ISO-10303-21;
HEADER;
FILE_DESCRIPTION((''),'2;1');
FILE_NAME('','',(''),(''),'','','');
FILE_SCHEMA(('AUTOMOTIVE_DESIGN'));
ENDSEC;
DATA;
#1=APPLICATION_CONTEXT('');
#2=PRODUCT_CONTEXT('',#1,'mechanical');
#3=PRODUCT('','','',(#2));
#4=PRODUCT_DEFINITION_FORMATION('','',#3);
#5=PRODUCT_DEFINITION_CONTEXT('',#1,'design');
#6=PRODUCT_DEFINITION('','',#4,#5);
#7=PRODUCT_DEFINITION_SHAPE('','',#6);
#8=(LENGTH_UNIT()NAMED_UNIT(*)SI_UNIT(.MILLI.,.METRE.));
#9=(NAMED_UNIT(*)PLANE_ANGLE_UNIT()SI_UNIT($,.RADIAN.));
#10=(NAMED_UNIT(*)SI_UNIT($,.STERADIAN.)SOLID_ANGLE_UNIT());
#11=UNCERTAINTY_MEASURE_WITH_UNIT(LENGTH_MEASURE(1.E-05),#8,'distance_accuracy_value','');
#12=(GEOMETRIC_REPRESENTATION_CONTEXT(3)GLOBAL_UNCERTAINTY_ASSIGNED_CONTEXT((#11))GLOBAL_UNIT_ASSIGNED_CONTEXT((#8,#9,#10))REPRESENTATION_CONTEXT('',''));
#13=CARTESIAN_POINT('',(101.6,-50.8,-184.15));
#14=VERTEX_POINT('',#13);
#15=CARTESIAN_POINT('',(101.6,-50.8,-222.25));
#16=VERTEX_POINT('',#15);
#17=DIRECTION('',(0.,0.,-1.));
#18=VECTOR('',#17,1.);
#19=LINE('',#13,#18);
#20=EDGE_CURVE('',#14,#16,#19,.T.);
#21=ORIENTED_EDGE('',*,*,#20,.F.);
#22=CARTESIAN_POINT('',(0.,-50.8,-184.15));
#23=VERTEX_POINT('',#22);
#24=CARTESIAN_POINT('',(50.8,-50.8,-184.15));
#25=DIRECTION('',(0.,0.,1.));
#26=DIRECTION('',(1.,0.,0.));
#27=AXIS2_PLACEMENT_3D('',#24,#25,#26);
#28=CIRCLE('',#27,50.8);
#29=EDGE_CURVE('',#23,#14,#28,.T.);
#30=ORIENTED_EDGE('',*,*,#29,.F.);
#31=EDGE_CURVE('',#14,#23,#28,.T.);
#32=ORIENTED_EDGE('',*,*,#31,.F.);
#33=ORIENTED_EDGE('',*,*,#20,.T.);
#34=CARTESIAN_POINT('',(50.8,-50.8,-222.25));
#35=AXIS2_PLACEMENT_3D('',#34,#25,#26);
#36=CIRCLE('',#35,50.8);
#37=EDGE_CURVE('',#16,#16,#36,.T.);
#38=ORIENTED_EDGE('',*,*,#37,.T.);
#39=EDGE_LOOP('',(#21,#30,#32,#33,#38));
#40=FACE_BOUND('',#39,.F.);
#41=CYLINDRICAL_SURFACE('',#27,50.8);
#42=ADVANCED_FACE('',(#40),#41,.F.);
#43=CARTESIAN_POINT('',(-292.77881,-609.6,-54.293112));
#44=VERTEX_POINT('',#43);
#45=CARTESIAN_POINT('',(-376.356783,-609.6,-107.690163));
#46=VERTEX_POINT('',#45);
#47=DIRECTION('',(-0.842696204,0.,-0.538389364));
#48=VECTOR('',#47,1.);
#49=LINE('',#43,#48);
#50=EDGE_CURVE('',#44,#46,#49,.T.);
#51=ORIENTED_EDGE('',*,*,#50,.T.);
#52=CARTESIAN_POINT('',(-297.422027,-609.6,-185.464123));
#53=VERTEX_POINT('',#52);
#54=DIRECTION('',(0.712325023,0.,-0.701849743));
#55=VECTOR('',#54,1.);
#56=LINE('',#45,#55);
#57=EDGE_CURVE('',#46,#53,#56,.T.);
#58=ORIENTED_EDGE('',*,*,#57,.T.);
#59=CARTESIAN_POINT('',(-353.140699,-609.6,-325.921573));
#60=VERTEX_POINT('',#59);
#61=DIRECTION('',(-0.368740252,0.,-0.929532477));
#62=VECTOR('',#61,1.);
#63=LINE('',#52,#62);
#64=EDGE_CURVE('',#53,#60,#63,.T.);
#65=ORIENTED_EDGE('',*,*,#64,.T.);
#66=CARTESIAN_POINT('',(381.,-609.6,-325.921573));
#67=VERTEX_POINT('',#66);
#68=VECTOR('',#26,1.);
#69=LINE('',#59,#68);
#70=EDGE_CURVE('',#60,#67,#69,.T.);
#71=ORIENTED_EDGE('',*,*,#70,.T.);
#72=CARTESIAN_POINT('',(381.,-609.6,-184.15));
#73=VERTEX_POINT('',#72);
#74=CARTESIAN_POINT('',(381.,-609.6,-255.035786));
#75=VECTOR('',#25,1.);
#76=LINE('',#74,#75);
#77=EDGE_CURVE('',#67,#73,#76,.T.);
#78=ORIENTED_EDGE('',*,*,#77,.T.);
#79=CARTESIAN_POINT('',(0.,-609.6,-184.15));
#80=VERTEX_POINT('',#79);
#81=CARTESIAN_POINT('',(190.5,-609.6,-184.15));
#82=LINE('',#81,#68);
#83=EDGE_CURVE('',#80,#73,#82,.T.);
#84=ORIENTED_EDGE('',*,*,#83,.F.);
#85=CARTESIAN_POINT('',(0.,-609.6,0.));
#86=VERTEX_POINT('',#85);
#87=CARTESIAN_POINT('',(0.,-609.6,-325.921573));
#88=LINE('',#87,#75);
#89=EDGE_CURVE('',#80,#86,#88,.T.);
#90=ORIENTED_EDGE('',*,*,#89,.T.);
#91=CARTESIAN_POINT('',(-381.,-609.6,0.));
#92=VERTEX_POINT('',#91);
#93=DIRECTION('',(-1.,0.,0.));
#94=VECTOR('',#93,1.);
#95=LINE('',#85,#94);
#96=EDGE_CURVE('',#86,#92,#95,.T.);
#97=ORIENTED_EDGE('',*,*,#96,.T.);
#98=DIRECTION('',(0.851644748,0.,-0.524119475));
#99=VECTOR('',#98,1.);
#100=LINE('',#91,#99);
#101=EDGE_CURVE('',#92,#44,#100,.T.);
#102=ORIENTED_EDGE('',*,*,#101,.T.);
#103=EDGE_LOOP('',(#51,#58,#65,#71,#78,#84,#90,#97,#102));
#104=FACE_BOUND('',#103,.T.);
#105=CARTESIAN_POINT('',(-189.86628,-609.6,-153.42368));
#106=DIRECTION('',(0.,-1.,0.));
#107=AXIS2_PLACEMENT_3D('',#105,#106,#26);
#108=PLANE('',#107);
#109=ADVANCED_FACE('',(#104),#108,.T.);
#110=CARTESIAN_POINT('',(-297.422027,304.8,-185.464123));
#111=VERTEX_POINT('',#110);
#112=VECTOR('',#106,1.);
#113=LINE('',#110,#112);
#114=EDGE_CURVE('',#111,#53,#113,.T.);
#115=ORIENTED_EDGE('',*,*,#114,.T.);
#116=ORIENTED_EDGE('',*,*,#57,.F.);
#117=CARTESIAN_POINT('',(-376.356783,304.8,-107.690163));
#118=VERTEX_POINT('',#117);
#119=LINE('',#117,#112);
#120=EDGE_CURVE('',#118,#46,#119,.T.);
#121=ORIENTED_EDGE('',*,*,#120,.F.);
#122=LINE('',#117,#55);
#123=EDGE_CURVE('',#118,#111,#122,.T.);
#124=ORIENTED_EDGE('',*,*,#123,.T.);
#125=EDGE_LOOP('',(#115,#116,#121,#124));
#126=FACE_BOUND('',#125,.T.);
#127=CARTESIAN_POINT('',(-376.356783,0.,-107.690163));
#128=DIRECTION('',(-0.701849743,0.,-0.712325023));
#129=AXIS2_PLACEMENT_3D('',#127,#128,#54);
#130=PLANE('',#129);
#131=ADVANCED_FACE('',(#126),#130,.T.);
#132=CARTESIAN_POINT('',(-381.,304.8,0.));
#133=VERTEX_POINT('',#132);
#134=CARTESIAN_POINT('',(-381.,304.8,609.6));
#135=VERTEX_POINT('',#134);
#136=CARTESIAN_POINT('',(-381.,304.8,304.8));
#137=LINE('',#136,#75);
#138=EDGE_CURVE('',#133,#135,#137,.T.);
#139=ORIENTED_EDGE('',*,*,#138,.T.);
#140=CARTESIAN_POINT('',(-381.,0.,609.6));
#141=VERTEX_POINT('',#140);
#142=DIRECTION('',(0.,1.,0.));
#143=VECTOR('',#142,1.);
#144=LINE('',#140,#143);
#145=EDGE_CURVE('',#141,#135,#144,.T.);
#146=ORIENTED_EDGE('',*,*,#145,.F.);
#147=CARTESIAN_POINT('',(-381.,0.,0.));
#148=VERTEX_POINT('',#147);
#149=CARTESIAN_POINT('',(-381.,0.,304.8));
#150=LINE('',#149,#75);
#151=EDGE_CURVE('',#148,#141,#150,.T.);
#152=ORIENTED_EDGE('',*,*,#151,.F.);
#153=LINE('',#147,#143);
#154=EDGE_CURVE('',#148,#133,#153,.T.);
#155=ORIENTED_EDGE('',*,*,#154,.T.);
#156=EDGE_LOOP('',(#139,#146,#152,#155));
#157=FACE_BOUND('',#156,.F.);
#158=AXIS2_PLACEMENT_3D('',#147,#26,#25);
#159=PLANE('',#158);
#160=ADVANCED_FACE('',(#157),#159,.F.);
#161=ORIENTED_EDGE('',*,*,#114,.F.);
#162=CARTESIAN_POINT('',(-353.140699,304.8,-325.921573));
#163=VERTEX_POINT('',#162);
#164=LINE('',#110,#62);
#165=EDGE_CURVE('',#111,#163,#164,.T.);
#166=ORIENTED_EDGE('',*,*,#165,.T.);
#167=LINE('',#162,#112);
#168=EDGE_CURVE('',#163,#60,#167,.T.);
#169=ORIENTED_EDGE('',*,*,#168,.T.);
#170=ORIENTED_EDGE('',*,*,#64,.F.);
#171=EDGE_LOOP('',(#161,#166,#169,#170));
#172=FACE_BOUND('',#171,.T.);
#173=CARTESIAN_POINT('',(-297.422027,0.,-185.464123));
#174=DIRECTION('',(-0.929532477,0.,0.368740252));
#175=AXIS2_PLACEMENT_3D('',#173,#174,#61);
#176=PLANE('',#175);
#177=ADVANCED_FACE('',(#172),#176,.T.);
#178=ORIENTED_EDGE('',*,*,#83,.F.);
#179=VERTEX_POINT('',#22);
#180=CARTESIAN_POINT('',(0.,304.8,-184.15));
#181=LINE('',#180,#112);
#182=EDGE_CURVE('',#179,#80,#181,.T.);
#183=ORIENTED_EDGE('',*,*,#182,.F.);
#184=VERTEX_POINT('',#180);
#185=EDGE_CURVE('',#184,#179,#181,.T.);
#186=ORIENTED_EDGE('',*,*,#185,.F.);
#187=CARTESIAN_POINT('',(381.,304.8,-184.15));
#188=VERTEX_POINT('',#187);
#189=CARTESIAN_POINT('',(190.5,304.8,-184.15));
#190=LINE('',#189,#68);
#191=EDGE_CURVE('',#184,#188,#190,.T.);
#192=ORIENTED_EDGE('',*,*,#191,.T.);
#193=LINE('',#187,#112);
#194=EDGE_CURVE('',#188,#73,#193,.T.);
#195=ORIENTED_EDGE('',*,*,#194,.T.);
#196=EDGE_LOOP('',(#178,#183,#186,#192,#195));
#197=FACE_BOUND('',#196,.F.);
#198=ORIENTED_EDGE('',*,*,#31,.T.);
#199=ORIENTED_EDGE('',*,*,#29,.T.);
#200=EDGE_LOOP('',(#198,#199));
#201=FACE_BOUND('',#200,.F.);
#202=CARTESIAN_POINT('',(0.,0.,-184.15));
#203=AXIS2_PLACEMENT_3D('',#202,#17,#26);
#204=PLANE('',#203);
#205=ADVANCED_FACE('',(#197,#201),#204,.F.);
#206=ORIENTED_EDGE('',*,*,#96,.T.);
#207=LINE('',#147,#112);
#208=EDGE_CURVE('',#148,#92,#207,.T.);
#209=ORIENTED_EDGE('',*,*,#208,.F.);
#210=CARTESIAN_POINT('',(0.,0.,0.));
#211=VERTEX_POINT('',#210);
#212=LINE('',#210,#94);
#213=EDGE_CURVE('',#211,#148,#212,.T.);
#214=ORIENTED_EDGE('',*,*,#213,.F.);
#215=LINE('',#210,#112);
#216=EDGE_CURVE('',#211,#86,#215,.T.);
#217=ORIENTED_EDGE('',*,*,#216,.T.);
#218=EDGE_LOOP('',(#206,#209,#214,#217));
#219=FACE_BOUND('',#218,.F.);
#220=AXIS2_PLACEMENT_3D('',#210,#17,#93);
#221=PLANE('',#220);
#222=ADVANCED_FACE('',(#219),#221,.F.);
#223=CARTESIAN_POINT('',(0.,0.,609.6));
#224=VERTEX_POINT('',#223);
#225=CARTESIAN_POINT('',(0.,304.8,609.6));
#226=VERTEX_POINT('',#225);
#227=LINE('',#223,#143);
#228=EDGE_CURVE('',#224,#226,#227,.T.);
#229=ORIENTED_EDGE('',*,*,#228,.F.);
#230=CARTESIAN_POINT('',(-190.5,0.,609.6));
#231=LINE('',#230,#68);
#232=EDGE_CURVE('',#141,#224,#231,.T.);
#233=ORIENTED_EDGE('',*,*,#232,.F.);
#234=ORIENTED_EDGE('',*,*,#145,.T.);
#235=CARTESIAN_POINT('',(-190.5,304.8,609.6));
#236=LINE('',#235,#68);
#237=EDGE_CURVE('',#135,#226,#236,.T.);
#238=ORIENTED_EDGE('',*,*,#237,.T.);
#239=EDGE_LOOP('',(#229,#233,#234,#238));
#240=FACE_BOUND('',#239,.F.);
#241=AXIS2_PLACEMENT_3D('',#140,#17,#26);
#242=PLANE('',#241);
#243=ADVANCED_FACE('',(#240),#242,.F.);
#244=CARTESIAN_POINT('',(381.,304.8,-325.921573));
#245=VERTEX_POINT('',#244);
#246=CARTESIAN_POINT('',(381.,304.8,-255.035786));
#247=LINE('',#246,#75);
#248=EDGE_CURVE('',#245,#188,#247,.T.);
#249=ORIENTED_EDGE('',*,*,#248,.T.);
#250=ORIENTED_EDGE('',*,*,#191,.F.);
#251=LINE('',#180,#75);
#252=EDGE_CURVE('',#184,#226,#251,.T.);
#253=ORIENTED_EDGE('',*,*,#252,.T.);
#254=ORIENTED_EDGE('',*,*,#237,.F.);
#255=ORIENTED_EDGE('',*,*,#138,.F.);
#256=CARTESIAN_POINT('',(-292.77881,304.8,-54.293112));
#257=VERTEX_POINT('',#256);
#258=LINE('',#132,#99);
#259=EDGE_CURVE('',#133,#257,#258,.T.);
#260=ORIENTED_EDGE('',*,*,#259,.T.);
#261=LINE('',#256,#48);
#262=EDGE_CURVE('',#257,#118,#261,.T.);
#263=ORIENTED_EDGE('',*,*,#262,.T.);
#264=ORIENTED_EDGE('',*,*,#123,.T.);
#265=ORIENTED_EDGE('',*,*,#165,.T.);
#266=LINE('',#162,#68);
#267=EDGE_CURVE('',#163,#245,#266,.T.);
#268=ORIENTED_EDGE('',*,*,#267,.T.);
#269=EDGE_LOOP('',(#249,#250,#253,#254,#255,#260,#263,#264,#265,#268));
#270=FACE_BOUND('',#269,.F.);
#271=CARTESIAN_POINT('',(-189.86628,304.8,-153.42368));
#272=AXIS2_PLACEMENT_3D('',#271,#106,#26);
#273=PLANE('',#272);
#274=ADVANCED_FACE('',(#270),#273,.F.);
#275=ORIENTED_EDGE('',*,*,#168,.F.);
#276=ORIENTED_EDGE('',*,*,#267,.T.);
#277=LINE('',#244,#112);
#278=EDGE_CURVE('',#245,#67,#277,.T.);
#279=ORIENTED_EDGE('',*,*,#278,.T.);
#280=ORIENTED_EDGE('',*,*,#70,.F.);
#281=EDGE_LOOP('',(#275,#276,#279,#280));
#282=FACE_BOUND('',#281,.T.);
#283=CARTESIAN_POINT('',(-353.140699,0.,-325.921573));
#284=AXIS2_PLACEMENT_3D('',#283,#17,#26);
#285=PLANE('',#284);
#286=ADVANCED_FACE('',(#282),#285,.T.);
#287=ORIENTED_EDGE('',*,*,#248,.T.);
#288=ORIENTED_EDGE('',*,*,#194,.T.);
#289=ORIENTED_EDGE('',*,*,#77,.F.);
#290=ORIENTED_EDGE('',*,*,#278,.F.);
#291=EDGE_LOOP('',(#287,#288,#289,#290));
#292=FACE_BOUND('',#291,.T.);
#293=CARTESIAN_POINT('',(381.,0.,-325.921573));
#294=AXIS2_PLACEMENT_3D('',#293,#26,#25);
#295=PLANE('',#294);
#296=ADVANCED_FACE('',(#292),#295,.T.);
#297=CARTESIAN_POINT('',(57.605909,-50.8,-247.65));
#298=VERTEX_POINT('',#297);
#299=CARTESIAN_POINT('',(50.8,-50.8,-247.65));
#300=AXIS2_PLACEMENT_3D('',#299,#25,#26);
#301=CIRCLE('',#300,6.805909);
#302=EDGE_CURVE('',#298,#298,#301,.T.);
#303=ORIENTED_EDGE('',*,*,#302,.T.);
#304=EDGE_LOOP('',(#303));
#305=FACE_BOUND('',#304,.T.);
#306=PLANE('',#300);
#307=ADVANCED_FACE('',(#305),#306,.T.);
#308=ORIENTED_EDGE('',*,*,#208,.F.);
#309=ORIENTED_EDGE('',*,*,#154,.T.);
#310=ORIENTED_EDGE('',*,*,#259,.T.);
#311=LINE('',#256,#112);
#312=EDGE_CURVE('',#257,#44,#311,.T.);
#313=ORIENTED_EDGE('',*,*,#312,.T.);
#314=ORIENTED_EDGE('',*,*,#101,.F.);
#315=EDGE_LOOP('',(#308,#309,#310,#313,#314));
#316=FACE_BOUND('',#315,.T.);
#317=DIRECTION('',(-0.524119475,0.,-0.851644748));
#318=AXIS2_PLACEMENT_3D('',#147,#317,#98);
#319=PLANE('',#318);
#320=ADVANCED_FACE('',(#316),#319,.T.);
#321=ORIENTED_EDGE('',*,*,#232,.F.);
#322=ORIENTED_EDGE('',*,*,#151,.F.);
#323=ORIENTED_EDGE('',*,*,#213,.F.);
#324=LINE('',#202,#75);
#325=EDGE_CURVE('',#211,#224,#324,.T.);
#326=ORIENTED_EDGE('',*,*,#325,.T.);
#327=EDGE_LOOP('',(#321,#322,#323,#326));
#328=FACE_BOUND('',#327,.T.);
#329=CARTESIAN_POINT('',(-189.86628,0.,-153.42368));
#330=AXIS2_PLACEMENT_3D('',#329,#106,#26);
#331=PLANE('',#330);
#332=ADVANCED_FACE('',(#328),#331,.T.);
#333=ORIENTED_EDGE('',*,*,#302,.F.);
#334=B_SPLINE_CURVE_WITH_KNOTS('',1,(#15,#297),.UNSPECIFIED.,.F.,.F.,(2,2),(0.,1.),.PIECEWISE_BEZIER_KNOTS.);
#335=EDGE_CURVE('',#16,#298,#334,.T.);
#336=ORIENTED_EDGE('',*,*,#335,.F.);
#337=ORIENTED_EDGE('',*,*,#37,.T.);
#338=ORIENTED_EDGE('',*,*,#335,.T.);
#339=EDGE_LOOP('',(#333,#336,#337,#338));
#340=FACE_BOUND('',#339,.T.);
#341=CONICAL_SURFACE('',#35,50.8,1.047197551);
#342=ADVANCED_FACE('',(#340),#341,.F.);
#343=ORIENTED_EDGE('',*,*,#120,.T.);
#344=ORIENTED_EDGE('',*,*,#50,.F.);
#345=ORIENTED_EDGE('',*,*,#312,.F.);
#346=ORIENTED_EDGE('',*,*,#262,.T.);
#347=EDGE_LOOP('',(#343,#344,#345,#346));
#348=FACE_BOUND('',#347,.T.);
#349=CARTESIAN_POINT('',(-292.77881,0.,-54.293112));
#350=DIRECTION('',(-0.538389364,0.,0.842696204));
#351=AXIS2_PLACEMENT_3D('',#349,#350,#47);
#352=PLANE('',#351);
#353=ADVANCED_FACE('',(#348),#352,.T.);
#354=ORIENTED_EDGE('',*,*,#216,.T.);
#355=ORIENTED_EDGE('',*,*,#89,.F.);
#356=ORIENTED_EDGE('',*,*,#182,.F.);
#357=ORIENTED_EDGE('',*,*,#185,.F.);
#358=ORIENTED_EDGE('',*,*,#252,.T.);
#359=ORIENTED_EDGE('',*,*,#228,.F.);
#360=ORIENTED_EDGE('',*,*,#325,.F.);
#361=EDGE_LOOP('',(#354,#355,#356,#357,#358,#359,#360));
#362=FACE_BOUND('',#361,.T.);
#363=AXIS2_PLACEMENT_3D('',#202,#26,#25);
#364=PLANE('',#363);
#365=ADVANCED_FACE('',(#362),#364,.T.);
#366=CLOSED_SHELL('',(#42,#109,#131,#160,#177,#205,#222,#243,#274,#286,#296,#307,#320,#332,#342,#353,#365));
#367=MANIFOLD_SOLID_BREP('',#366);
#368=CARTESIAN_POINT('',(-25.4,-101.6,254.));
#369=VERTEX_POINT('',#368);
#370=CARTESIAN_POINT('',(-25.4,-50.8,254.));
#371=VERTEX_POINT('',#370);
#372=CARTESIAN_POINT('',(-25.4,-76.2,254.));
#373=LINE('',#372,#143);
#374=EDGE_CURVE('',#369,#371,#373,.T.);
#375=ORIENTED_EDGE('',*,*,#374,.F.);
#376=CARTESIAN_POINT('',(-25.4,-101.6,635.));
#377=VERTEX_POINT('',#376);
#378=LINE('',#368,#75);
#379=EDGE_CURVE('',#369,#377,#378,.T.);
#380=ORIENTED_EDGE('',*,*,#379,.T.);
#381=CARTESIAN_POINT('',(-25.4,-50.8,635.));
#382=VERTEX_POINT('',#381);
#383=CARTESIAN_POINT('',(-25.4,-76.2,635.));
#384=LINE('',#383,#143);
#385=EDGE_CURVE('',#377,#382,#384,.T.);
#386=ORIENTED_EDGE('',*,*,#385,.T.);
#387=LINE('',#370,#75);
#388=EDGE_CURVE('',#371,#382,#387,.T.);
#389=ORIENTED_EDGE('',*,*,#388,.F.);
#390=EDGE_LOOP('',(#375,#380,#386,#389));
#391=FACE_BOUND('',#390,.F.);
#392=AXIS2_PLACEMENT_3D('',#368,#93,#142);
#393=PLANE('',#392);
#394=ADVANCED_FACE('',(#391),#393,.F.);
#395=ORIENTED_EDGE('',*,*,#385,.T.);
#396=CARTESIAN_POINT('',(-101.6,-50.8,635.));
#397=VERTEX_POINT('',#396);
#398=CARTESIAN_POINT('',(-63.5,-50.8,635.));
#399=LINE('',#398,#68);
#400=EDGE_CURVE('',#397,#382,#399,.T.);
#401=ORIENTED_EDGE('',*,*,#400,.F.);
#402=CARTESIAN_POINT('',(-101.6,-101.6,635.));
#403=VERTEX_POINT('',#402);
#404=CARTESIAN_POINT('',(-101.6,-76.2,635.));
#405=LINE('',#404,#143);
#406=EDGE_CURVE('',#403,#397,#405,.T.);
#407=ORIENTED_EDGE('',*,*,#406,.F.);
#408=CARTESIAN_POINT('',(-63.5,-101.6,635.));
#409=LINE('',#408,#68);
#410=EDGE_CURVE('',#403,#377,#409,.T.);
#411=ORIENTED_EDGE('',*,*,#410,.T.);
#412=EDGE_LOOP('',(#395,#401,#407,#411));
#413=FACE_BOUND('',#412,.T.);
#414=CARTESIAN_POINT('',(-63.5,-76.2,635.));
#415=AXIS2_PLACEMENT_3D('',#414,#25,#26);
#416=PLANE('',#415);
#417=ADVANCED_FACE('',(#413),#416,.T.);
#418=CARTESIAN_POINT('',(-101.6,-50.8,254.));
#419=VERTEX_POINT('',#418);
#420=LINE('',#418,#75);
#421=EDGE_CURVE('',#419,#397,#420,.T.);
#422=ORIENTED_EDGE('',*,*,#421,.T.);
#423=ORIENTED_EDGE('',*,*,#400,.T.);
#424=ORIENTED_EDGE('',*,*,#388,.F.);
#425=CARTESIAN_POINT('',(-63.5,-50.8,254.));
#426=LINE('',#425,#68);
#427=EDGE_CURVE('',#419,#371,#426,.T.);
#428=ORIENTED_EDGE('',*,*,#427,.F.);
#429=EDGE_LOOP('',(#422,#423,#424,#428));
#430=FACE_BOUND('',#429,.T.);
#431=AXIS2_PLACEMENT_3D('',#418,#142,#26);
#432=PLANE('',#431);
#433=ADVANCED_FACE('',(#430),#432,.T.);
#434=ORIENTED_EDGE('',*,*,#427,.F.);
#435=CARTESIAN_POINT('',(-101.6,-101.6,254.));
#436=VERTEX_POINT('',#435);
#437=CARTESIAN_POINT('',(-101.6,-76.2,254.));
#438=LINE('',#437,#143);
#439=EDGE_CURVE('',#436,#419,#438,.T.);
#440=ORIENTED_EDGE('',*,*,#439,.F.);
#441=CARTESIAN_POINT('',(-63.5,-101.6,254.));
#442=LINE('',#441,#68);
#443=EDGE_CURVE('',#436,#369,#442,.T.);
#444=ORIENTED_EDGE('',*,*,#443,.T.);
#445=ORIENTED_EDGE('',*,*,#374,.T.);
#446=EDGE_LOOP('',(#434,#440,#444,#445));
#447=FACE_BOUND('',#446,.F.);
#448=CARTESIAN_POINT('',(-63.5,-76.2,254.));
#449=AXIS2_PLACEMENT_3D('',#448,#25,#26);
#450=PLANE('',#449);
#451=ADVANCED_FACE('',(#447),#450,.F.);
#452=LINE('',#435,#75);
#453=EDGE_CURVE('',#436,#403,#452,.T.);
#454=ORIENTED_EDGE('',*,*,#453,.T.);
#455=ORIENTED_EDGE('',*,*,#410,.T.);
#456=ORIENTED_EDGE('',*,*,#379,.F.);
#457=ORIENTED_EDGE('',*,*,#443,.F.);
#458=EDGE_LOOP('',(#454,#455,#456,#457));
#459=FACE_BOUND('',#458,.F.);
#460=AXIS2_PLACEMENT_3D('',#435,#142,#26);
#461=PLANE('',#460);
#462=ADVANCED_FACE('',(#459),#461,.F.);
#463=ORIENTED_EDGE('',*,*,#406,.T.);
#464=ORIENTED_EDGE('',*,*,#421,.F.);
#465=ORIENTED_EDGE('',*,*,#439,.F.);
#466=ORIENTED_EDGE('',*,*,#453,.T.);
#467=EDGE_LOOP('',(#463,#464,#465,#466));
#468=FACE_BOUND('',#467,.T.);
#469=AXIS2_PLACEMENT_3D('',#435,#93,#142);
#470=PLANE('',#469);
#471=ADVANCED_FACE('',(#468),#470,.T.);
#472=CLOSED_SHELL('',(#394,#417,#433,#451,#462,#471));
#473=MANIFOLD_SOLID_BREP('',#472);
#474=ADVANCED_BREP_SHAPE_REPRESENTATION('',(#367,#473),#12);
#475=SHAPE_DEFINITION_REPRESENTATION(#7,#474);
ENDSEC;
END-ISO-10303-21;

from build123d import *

# Parameters (mm, degrees)
F0_W     = 381
F0_H     = 141.7715725336
F1_DEPTH = 609.6
F0_H_2   = 609.6
F2_DEPTH = 304.8
F4_W     = 76.2
F4_H     = 50.8
F5_DEPTH = 381
F7_DEPTH = 38.1
F8_R     = 50.8
F9_DEPTH = 25.4
F9_TAPER = 60


with BuildPart() as f1:
    # F0 (on Front) → F1 (new body)
    with BuildSketch(Plane.XZ):
        Polygon((0, -184.15), (0, 0), (-381, 0), (-292.7788101229, -54.2931120234), (-376.3567831644, -107.6901625084), (-297.4220269585, -185.4641232554), (-353.1406989864, -325.9215725336), (0, -325.9215725336), align=None)
        with Locations((190.5, -255.0357862668)):
            Rectangle(F0_W, F0_H)
    extrude(amount=F1_DEPTH)

    # F0 (on Front) → F2 (join)
    with BuildSketch(Plane.XZ):
        Polygon((0, -184.15), (0, 0), (-381, 0), (-292.7788101229, -54.2931120234), (-376.3567831644, -107.6901625084), (-297.4220269585, -185.4641232554), (-353.1406989864, -325.9215725336), (0, -325.9215725336), align=None)
        with Locations((190.5, -255.0357862668)):
            Rectangle(F0_W, F0_H)
        with Locations((-190.5, 304.8)):
            Rectangle(F0_W, F0_H_2)
    extrude(amount=-F2_DEPTH)

    # F6 (on face) → F7 (cut)
    with BuildSketch(Plane.XY.offset(-184.15)):
        with BuildLine():
            ThreePointArc((0, -50.7999995777), (50.7999997889, -101.6), (101.6, -50.8))
            ThreePointArc((101.6, -50.8), (50.8000002111, 0), (0, -50.7999995777))
        make_face()
    extrude(amount=-F7_DEPTH, mode=Mode.SUBTRACT)

    # F8 (on face) → F9 (cut)
    with BuildSketch(Plane.XY.offset(-222.25)):
        with Locations((50.8, -50.8)):
            Circle(F8_R)
    extrude(amount=-F9_DEPTH, taper=F9_TAPER, mode=Mode.SUBTRACT)


with BuildPart() as f5:
    # F4 (on offset) → F5 (new body)
    with BuildSketch(Plane.XY.offset(254)):
        with Locations((-63.5, -76.2)):
            Rectangle(F4_W, F4_H)
    extrude(amount=F5_DEPTH)


solid = Compound([f1.part, f5.part])
